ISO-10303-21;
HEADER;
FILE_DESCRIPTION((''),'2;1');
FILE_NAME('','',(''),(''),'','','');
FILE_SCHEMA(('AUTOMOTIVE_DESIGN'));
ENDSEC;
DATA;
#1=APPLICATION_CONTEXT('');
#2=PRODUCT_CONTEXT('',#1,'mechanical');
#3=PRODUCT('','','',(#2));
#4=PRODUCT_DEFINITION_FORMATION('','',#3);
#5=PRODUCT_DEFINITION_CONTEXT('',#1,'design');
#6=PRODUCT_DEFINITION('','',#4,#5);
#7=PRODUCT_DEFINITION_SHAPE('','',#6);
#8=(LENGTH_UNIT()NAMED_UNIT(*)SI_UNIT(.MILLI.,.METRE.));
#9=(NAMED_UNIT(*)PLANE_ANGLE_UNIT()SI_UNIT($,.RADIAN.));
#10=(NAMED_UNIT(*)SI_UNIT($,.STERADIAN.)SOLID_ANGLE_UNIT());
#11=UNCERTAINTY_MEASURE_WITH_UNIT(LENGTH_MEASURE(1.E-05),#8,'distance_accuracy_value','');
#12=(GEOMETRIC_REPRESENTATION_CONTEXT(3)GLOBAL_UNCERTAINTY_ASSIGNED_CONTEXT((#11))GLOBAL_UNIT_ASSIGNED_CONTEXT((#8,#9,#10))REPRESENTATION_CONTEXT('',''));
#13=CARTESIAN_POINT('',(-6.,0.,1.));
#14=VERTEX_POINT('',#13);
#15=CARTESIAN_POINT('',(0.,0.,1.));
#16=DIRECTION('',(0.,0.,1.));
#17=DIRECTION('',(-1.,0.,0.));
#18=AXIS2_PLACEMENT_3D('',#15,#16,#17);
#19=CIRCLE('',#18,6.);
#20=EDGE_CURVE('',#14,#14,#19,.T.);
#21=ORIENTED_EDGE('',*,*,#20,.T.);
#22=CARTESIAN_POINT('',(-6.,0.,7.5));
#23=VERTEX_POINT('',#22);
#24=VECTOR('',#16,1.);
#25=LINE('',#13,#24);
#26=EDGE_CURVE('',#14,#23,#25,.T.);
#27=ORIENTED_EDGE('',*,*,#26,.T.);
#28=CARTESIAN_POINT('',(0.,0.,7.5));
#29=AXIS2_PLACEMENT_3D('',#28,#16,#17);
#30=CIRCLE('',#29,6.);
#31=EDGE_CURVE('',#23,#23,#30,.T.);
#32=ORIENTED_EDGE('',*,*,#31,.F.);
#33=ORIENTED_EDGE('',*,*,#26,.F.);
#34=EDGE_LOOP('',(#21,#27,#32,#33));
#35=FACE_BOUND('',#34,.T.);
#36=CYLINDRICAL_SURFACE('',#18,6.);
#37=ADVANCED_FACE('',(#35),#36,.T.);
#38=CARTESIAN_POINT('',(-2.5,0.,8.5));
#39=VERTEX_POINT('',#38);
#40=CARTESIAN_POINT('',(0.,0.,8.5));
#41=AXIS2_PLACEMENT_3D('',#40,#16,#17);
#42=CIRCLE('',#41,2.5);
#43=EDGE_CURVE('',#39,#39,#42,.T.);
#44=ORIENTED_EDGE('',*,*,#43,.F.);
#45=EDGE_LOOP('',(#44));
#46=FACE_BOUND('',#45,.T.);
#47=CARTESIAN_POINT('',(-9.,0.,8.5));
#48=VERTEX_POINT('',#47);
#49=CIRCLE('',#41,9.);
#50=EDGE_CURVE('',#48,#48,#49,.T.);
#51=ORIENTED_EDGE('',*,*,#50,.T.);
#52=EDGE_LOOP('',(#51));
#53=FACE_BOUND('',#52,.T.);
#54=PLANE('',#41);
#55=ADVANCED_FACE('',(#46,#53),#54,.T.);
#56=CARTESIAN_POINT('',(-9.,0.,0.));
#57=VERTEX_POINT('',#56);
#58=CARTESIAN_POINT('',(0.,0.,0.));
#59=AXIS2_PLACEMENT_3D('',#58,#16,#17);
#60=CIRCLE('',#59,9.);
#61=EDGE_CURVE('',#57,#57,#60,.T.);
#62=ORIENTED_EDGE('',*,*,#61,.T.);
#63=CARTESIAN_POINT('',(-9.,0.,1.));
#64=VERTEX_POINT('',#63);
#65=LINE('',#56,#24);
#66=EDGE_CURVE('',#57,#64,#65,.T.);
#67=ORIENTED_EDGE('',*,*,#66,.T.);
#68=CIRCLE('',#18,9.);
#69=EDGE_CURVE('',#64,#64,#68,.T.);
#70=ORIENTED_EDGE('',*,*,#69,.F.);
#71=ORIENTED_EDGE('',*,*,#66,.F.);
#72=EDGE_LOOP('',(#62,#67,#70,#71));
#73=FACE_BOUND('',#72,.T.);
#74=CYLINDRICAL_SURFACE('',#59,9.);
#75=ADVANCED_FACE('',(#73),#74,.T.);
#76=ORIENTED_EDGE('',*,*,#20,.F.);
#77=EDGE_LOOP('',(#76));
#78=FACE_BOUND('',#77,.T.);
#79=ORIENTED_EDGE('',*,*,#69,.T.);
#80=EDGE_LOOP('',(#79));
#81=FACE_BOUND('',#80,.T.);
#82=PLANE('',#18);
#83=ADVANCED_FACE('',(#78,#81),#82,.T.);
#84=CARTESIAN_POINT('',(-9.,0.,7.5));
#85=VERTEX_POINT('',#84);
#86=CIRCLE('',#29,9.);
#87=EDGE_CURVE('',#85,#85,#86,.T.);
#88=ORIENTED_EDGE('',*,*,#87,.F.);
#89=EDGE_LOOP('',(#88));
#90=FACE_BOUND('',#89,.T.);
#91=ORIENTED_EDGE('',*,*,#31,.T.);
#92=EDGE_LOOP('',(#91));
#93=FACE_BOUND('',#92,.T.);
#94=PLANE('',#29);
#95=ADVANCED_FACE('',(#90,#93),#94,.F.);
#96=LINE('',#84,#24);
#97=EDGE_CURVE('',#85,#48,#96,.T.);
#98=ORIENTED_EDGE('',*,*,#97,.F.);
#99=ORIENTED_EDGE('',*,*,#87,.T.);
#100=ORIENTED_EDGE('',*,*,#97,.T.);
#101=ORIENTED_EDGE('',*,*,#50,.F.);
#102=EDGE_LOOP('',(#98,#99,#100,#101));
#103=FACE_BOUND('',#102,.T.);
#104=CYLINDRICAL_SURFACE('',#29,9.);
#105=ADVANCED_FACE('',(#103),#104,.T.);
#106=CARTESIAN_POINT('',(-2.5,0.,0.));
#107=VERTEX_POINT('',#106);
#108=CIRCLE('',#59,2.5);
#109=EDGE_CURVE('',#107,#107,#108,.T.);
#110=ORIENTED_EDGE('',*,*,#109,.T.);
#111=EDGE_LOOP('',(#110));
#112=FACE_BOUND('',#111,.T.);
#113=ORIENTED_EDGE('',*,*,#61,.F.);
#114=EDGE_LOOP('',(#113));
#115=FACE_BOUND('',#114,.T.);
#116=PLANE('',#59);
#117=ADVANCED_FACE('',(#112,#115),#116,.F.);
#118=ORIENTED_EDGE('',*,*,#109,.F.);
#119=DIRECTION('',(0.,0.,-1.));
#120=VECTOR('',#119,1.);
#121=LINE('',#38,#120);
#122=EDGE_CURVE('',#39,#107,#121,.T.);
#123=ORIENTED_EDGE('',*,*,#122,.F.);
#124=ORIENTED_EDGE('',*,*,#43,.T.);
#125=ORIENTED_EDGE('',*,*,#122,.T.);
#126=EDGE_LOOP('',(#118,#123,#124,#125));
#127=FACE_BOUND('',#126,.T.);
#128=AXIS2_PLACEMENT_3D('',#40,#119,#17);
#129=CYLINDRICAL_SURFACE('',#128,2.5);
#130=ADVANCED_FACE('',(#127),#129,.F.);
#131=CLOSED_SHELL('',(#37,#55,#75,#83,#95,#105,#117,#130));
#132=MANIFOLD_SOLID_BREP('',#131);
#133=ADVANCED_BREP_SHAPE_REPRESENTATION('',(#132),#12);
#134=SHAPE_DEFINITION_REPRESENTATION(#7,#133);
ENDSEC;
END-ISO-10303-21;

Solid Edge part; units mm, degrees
sketch "Sketch1" plane through (0, 0, 0) normal (0, -1, 0) x (1, 0, 0)
  line L0 (-2.5, 8.5) -> (-2.5, 0)
  line L1 (-2.5, 0) -> (-9, 0)
  line L2 (-9, 0) -> (-9, 1)
  line L3 (-9, 1) -> (-6, 1)
  line L4 (-6, 1) -> (-6, 7.5)
  line L5 (-6, 7.5) -> (-9, 7.5)
  line L6 (-9, 7.5) -> (-9, 8.5)
  line L7 (-9, 8.5) -> (-2.5, 8.5)
  dimension "D1" = 8.5
  dimension "D2" = 1
  dimension "D3" = 1
  dimension "D4" = 6.5
revolve "RevolvedProtrusion1" add sketch "Sketch1" angle 360 about axis through (0, 0, 0) along (0, 0, 1)
